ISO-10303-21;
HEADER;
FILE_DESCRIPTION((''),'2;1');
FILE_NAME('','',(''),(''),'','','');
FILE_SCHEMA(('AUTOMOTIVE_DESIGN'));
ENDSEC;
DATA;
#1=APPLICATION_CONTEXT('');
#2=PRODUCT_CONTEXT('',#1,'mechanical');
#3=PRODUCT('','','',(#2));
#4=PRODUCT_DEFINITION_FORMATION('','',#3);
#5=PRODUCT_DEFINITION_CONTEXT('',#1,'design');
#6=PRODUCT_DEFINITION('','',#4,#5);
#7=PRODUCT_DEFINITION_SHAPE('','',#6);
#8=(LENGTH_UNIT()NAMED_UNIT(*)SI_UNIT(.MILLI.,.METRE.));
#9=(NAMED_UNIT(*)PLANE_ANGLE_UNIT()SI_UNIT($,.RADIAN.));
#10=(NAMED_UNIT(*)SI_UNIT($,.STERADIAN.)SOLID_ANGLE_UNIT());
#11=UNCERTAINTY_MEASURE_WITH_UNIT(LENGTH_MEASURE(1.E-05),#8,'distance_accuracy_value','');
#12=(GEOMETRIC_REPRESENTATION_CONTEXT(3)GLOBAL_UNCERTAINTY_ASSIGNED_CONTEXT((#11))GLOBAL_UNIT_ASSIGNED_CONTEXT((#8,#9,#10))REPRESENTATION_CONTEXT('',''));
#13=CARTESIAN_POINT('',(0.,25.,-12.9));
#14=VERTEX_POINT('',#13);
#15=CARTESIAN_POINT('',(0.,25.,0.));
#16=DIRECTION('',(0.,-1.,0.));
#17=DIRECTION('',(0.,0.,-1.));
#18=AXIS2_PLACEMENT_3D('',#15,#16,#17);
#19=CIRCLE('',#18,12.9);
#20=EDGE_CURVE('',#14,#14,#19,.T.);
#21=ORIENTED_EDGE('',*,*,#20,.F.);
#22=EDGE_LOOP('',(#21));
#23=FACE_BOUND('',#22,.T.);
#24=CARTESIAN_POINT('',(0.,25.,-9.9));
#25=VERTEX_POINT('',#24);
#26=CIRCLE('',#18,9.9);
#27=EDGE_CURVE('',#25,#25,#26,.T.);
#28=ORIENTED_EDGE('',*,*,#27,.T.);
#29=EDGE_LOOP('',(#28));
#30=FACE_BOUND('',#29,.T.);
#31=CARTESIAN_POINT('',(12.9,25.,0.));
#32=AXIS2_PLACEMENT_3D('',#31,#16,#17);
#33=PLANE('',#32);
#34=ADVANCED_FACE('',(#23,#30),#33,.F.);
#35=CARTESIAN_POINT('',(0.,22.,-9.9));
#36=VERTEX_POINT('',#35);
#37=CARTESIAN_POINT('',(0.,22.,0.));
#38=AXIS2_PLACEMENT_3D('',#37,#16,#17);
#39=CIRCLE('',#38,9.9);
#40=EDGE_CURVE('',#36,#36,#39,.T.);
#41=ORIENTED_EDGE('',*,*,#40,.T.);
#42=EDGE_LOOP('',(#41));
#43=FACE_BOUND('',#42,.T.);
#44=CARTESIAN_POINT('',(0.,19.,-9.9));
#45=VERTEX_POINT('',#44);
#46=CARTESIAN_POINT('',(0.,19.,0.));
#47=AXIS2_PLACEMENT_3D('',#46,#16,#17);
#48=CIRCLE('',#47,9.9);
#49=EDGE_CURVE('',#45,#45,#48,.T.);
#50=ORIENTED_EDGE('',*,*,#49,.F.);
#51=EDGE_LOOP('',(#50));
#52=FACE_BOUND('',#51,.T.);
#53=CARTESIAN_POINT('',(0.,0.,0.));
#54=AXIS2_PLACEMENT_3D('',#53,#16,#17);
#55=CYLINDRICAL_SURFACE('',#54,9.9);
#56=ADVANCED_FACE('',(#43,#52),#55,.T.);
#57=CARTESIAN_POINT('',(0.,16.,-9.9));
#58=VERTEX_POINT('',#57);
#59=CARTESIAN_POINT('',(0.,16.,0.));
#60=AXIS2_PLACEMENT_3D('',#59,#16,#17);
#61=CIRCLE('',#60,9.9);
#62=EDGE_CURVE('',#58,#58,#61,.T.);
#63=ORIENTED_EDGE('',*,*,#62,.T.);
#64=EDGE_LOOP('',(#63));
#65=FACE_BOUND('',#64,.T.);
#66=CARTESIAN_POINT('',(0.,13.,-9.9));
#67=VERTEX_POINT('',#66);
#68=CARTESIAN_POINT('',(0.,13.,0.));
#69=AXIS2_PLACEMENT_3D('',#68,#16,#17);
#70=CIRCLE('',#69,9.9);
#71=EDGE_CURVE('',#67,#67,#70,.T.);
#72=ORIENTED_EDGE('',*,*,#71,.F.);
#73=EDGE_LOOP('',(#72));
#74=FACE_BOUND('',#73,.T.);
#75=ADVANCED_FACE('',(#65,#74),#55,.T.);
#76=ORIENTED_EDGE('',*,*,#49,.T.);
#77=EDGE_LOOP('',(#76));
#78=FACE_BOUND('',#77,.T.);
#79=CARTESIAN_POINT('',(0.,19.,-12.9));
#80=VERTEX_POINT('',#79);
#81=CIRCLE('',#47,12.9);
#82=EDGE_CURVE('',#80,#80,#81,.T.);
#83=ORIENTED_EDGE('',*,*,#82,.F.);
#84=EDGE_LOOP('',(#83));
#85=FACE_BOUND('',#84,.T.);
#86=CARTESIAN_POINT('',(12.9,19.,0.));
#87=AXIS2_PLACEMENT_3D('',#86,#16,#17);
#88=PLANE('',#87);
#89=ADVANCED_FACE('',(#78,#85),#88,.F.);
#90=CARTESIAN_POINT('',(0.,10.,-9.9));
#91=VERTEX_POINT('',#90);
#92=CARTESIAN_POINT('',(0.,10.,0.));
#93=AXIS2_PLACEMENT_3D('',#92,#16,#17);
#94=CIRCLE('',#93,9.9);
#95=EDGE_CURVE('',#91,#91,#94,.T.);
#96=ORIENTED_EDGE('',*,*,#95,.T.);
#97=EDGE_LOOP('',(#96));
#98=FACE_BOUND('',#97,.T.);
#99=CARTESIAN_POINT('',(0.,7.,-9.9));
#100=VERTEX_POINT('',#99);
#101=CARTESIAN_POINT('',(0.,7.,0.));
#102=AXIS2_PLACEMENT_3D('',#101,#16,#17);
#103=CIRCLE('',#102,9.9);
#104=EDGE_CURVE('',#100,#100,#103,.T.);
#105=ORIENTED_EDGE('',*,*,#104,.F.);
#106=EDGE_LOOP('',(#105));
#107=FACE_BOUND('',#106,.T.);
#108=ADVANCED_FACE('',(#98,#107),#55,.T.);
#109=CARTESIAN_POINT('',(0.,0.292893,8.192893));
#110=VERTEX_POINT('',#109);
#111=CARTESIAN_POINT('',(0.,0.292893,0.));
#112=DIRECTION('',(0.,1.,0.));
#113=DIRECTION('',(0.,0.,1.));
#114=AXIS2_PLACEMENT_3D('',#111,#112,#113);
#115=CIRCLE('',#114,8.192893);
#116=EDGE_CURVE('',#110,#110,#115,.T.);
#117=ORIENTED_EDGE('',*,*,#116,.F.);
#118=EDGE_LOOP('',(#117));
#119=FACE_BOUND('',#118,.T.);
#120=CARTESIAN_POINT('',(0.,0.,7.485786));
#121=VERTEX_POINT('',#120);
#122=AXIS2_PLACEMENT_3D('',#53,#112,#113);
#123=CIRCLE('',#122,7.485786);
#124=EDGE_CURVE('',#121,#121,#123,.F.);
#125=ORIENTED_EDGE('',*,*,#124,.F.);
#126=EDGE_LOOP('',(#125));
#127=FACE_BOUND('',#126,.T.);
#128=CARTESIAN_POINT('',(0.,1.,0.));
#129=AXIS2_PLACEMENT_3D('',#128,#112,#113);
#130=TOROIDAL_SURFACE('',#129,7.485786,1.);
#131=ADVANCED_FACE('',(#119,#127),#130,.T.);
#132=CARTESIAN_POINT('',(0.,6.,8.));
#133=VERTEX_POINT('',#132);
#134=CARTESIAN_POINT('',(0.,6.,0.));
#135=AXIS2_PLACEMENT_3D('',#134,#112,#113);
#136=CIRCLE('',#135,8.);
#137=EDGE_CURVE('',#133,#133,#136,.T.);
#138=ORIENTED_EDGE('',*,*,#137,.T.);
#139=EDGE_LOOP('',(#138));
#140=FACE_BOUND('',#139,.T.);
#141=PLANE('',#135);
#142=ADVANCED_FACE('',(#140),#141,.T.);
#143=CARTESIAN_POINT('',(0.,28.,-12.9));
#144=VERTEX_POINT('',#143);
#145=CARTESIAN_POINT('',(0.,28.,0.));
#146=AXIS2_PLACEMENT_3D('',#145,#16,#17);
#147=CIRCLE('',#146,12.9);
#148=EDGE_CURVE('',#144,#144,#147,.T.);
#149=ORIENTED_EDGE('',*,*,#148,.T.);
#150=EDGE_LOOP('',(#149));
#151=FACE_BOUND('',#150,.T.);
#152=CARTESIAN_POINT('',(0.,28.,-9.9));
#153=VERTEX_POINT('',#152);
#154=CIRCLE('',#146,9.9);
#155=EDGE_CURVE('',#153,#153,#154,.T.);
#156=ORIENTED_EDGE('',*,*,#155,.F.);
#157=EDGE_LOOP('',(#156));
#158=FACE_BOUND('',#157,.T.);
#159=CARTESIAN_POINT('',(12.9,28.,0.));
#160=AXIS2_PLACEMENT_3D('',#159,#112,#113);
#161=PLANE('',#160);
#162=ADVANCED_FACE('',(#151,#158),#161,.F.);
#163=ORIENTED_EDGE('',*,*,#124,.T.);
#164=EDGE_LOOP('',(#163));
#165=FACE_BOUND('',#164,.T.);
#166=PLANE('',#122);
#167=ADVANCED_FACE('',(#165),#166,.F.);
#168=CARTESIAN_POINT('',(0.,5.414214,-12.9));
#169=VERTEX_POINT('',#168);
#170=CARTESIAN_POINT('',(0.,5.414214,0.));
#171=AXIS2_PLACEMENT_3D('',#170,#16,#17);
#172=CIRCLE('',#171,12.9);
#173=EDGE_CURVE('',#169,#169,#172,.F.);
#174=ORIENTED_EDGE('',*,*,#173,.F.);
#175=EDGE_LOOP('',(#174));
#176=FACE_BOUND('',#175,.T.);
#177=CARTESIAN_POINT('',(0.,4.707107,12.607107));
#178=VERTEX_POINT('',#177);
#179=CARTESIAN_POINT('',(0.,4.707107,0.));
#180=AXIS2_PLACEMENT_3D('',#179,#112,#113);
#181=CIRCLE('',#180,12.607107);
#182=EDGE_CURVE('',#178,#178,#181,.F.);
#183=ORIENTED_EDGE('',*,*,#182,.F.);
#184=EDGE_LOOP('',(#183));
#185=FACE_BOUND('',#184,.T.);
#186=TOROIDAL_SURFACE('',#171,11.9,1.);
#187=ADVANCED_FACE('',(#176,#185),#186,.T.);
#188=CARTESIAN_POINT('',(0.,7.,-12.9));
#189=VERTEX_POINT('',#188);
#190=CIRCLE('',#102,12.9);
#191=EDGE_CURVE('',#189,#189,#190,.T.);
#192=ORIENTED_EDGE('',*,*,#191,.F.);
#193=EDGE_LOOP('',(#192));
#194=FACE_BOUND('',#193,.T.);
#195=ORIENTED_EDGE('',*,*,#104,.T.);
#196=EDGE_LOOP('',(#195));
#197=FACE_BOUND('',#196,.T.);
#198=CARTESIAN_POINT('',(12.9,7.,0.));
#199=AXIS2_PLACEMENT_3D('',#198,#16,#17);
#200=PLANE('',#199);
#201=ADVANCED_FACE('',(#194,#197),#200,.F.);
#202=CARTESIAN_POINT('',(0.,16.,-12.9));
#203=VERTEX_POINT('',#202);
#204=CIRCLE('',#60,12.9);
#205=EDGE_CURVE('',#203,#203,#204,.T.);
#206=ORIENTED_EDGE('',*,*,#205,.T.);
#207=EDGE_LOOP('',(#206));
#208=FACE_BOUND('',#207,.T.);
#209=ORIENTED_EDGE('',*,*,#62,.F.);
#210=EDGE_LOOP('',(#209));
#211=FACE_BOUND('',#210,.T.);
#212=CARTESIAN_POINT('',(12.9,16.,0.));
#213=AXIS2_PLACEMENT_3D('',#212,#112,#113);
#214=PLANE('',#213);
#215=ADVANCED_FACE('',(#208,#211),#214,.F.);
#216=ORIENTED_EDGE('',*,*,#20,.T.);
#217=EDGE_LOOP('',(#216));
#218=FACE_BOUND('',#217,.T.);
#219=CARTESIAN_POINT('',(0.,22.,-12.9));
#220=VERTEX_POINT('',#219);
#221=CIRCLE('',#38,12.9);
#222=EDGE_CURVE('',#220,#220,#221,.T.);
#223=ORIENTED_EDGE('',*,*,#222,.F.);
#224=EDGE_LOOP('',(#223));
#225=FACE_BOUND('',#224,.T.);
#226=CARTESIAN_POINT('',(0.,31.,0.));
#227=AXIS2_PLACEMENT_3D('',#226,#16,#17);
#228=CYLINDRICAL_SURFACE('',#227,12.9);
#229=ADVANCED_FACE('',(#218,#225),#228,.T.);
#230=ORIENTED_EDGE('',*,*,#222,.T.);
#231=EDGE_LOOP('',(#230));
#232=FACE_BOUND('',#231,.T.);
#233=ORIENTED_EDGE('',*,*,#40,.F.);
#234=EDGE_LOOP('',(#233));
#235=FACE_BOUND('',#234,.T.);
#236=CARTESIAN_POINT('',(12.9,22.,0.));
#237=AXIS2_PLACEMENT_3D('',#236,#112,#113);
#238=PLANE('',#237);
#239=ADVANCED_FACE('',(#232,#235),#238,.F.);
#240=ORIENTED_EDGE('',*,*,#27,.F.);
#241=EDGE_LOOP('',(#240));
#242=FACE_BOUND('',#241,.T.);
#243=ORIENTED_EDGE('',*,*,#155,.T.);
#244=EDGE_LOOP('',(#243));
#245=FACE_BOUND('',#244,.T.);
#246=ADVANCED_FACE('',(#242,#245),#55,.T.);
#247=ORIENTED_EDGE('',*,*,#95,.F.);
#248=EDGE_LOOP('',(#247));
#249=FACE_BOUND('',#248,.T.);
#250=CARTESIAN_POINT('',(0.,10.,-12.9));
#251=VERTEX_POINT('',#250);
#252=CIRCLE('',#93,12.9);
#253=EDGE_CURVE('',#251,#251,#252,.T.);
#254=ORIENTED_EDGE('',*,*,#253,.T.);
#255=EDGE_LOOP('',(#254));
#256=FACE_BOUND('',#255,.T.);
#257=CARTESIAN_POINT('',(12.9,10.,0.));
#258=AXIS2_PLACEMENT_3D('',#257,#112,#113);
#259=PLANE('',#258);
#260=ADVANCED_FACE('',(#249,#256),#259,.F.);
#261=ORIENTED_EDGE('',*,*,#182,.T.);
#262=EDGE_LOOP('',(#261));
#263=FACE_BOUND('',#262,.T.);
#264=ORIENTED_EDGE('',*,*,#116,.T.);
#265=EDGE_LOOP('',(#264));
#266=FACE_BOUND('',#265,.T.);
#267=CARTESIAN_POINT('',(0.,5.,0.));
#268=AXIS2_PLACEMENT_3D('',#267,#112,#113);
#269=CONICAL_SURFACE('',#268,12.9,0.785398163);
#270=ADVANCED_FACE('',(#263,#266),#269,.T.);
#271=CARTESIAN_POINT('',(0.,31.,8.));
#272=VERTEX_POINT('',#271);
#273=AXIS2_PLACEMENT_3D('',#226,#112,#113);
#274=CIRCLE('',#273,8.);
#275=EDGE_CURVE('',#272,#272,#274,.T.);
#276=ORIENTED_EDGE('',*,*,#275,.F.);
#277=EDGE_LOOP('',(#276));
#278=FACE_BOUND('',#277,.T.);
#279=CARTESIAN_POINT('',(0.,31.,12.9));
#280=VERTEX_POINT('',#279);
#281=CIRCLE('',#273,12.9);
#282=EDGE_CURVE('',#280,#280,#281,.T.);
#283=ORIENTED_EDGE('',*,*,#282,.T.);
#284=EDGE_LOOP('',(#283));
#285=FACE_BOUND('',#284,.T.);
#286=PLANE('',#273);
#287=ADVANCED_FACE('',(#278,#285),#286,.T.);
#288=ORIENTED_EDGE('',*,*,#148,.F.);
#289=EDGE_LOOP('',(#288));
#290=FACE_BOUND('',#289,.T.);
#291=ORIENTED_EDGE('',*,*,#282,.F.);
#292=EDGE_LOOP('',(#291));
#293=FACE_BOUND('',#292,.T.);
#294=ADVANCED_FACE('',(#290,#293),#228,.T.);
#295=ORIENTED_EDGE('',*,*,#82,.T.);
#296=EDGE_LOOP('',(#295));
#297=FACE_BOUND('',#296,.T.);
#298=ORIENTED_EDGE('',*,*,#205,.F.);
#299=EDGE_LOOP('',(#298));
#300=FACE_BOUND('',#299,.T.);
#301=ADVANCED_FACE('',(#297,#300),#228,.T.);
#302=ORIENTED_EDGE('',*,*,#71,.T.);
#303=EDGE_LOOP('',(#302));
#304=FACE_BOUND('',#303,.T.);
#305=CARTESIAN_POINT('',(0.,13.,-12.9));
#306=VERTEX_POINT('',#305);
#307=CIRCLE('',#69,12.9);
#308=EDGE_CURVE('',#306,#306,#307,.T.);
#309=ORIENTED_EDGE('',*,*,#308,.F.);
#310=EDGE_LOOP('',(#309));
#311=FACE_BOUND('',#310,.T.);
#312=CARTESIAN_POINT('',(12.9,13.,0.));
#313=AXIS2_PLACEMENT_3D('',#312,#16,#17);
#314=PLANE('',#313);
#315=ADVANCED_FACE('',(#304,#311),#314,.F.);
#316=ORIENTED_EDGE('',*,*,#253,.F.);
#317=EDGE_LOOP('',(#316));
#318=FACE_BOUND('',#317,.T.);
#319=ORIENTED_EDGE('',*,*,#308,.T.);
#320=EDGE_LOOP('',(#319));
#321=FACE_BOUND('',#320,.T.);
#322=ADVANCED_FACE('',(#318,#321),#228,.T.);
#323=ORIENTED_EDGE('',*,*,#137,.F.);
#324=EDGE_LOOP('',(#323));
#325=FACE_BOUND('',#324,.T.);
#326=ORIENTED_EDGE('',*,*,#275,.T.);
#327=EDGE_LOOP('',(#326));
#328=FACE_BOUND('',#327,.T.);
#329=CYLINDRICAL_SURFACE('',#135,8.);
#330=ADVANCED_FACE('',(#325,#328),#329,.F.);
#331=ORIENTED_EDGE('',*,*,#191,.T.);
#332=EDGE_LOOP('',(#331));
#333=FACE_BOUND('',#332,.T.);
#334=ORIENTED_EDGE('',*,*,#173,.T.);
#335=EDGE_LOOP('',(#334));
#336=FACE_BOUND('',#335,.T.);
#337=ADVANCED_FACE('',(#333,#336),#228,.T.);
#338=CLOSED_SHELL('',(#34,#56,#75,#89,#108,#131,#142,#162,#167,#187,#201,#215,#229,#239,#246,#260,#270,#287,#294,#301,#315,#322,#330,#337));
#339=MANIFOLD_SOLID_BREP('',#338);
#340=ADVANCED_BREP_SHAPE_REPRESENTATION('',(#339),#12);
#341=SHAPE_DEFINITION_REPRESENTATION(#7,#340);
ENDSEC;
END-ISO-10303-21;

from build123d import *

# Parameters (mm, degrees)
SKETCH_1_R          = 12.9
EXTRUDE_1_DEPTH     = 31
SKETCH_2_R          = 8
CUT_EXTRUDE_1_DEPTH = 25
CHAMFER_1_SIZE      = 5
FILLET_1_R          = 1
SKETCH_3_W          = 3
SKETCH_3_H          = 3


with BuildPart() as part:
    # 草图1 → 凸台-拉伸1 (new body)
    with BuildSketch(Plane(origin=(0, 0, 0), x_dir=(1, 0, 0), z_dir=(0, 1, 0))):
        with Locations(Location((0, 0, 0), (0, 0, 270))):
            Circle(SKETCH_1_R)
    extrude(amount=EXTRUDE_1_DEPTH)

    # 草图2 → 切除-拉伸1 (cut)
    with BuildSketch(Plane(origin=(0, 31, 0), x_dir=(1, 0, 0), z_dir=(0, 1, 0))):
        with Locations(Location((0, 0, 0), (0, 0, 270))):
            Circle(SKETCH_2_R)
    extrude(amount=-CUT_EXTRUDE_1_DEPTH, mode=Mode.SUBTRACT)

    # 倒角1
    chamfer_1_edges = [part.edges().sort_by_distance(p)[0] for p in [
        (0, 0, -12.9),
    ]]
    chamfer(chamfer_1_edges, length=CHAMFER_1_SIZE)

    # 圆角1
    fillet_1_edges = [part.edges().sort_by_distance(p)[0] for p in [
        (0, 0, -7.9),
        (0, 5, -12.9),
    ]]
    fillet(fillet_1_edges, radius=FILLET_1_R)

    # 草图3 → 切除-旋转1 (revolve, cut)
    with BuildSketch(Plane.XY, mode=Mode.PRIVATE) as cut_revolve_1_sk:
        with Locations((11.4, 26.5)):
            Rectangle(SKETCH_3_W, SKETCH_3_H)
        with Locations((11.4, 20.5)):
            Rectangle(SKETCH_3_W, SKETCH_3_H)
        with Locations((11.4, 14.5)):
            Rectangle(SKETCH_3_W, SKETCH_3_H)
        with Locations((11.4, 8.5)):
            Rectangle(SKETCH_3_W, SKETCH_3_H)
    revolve(cut_revolve_1_sk.sketch.rotate(Axis((0, 0, 0), (0, 1, 0)), 90), axis=Axis((0, 0, 0), (0, 1, 0)), mode=Mode.SUBTRACT)


solid = part.part
